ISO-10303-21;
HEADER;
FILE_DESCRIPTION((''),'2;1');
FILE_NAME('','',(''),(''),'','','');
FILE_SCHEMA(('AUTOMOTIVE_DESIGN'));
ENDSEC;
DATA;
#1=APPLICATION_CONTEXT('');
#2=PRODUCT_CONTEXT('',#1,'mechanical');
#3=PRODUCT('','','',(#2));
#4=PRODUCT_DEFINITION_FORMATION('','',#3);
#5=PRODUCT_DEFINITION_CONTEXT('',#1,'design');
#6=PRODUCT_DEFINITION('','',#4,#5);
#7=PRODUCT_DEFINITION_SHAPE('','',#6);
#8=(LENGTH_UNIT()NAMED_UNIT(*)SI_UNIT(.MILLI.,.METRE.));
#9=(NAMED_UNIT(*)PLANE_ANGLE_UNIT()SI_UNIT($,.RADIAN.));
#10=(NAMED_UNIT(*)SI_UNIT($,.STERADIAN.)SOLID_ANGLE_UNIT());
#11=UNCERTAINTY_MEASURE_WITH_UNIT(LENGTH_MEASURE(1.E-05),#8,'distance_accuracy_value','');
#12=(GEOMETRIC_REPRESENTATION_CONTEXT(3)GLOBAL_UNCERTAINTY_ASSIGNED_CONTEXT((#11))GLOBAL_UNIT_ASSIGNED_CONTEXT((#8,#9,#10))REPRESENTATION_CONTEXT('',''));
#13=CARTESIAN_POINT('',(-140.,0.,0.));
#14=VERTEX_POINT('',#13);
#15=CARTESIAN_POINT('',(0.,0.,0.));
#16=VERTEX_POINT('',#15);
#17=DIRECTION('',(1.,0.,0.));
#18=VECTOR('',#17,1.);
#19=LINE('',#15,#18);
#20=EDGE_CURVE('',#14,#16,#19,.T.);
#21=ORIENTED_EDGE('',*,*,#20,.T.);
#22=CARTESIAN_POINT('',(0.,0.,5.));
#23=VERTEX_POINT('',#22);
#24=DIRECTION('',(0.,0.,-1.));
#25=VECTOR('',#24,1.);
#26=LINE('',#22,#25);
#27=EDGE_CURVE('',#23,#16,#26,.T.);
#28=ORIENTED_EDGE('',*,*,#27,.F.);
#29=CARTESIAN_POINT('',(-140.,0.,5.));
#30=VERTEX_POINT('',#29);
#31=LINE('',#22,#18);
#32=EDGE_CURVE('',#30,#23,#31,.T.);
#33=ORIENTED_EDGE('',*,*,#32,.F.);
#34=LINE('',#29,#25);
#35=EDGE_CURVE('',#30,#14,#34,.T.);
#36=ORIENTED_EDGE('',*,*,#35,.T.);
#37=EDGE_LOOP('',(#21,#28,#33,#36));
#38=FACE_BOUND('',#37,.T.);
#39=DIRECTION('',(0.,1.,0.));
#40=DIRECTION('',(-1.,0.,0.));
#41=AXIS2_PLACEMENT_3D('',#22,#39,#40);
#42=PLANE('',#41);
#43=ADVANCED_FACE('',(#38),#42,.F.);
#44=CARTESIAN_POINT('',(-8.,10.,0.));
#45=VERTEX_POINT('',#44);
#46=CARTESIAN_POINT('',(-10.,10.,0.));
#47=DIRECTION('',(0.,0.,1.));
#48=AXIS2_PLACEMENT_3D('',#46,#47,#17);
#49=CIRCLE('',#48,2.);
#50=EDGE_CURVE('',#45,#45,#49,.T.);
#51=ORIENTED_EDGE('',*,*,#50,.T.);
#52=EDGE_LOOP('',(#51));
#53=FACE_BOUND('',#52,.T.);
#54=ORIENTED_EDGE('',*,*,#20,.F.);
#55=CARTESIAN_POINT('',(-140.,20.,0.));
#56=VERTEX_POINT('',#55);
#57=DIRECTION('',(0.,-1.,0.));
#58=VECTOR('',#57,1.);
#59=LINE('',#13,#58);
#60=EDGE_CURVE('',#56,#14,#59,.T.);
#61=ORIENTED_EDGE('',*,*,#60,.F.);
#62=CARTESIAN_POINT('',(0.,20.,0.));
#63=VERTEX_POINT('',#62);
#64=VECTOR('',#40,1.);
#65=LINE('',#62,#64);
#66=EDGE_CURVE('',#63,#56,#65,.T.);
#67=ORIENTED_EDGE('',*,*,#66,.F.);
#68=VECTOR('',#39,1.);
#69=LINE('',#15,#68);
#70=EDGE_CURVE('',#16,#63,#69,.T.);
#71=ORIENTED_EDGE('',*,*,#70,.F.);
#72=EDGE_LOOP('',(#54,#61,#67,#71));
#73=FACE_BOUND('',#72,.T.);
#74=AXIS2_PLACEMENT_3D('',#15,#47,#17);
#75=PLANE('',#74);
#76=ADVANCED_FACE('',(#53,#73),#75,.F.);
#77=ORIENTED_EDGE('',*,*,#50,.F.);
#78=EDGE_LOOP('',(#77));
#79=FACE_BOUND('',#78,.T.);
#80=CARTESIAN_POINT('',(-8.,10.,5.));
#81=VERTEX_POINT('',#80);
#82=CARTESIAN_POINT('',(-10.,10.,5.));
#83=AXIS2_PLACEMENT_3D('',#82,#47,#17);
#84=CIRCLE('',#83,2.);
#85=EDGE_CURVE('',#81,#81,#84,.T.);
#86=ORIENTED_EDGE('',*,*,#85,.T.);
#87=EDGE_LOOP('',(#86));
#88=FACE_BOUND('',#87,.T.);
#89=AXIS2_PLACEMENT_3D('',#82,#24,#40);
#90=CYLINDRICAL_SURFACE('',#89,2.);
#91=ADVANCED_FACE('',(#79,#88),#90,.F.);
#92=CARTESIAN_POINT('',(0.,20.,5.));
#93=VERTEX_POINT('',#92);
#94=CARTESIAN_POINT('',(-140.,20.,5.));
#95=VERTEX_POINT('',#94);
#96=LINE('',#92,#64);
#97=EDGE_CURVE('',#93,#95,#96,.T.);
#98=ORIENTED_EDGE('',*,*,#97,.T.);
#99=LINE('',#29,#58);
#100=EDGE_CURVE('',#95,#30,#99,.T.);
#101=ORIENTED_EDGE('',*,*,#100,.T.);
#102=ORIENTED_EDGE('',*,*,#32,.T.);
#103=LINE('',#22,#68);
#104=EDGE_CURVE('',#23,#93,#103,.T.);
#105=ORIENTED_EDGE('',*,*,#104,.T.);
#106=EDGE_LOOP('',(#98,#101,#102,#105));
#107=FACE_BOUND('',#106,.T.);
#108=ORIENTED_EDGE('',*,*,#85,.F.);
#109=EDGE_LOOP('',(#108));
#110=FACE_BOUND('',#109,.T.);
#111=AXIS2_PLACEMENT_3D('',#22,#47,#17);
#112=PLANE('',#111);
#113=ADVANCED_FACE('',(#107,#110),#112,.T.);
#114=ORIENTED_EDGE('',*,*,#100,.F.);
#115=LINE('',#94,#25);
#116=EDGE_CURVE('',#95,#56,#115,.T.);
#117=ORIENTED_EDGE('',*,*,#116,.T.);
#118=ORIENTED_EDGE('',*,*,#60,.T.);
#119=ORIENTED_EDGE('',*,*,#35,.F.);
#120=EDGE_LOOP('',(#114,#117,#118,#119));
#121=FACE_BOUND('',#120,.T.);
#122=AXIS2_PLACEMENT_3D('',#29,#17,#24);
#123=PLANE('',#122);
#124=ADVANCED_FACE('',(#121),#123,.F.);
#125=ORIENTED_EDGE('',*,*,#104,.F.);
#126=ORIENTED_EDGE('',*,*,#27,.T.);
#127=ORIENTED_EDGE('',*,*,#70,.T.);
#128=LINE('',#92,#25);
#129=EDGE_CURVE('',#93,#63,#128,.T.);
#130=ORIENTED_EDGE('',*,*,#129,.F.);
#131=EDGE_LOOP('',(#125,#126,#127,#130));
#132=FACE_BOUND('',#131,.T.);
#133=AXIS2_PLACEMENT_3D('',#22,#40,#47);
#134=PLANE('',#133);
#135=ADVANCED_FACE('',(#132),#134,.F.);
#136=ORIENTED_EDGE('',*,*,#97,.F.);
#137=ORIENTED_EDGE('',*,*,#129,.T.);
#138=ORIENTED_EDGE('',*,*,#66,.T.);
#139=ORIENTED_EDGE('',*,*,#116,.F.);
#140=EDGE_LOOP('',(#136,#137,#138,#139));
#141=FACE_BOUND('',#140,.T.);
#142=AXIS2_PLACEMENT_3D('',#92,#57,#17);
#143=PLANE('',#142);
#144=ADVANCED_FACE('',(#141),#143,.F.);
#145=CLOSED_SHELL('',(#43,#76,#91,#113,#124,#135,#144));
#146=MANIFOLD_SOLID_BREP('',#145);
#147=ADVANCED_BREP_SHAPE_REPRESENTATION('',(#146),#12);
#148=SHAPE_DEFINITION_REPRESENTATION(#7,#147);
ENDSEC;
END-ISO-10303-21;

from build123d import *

# Parameters (mm, degrees)
ESQUISSE1_W        = 140
ESQUISSE1_H        = 20
ESQUISSE1_R        = 2
BOSS_EXTRU_1_DEPTH = 5


with BuildPart() as part:
    # Esquisse1 → Boss.-Extru.1 (new body)
    with BuildSketch(Plane.XY):
        with Locations((-70, 10)):
            Rectangle(ESQUISSE1_W, ESQUISSE1_H)
        with Locations((-10, 10)):
            Circle(ESQUISSE1_R, mode=Mode.SUBTRACT)
    extrude(amount=BOSS_EXTRU_1_DEPTH)


solid = part.part
